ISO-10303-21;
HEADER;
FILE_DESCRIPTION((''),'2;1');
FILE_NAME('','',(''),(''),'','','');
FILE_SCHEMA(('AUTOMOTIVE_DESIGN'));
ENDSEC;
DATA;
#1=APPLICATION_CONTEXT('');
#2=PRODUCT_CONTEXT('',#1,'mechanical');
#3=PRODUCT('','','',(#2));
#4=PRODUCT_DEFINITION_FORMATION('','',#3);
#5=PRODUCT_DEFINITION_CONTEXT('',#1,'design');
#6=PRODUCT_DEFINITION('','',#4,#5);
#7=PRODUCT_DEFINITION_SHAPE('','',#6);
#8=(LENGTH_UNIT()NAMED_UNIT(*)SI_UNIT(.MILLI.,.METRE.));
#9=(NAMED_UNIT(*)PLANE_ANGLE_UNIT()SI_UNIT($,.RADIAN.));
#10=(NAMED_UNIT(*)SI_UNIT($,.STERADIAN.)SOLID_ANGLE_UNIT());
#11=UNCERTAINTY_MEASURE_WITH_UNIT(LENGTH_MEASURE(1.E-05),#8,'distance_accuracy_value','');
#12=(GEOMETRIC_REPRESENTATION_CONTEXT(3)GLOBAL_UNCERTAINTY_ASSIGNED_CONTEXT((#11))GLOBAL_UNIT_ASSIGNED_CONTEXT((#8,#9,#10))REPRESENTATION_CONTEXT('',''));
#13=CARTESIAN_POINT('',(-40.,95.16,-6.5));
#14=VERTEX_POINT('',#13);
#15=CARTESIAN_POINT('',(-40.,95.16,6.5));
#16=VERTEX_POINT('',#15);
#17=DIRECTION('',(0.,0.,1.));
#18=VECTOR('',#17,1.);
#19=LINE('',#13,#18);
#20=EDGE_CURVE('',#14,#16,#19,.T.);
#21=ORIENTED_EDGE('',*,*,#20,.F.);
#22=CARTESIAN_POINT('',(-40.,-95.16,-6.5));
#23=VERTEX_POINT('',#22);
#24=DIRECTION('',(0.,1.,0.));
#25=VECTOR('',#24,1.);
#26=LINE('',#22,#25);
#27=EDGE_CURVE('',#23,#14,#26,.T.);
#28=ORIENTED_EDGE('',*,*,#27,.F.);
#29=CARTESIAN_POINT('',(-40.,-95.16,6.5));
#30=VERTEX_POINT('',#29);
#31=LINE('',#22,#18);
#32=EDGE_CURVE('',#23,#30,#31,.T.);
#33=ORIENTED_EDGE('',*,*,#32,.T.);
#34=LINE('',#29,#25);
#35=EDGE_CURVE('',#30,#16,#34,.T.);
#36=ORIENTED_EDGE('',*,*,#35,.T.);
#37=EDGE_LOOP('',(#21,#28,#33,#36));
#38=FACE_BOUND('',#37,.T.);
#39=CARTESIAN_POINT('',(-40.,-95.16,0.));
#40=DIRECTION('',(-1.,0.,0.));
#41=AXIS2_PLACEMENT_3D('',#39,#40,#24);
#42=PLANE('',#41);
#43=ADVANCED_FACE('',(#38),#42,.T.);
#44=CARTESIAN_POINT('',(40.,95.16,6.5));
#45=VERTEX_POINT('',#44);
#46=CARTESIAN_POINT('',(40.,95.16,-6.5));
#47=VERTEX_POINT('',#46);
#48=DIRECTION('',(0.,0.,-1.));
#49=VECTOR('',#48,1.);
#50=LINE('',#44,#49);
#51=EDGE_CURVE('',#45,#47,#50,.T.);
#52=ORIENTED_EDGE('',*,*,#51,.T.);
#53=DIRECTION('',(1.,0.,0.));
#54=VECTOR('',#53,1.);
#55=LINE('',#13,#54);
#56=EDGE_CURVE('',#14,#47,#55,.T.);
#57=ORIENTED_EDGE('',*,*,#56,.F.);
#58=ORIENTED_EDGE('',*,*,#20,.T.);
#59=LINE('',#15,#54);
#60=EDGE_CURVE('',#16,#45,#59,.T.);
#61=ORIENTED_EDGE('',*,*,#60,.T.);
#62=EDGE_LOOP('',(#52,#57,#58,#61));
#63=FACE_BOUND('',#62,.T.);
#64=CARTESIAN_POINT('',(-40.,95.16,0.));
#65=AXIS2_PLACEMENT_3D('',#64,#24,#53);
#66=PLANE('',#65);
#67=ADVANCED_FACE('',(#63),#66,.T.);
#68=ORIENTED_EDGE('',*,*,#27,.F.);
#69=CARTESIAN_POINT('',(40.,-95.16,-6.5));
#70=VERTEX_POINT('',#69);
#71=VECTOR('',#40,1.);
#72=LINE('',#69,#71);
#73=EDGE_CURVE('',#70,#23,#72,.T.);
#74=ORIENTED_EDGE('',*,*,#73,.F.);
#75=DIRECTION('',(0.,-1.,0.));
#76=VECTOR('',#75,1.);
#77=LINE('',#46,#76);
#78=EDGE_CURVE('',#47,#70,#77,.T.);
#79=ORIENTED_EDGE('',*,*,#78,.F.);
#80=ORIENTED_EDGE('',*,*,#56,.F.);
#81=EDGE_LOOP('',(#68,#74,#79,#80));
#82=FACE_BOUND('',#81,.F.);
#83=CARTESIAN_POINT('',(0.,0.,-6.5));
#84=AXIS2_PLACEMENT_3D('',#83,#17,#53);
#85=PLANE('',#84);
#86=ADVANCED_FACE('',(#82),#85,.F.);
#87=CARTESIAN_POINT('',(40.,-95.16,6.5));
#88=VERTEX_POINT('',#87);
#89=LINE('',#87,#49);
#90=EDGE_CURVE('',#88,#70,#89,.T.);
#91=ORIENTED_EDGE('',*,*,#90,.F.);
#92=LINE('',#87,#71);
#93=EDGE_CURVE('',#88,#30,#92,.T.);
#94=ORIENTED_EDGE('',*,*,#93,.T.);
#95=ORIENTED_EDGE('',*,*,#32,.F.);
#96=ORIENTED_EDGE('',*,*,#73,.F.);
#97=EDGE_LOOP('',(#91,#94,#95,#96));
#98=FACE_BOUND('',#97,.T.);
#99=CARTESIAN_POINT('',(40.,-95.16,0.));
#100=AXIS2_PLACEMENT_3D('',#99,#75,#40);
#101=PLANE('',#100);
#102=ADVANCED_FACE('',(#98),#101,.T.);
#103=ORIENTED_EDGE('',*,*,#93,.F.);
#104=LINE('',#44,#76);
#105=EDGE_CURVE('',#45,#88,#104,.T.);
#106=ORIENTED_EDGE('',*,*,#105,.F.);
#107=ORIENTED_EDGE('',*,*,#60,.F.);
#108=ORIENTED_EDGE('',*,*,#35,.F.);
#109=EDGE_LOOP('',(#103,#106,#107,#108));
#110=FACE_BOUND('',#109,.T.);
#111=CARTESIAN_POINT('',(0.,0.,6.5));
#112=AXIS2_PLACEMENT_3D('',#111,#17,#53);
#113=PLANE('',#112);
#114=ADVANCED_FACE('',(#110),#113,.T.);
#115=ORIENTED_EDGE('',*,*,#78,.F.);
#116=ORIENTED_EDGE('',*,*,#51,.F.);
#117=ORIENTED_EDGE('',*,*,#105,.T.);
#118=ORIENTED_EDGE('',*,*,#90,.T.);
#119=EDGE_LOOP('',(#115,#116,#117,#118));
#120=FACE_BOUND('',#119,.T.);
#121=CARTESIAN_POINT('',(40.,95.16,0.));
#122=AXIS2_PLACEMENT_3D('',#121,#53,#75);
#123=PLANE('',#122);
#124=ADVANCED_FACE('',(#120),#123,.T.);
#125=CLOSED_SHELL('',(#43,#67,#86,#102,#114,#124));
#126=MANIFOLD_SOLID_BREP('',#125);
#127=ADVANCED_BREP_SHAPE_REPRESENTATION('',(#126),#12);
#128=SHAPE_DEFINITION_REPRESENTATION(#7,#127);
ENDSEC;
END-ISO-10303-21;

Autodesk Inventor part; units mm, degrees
ref_plane "YZ Plane" through (0, 0, 0) normal (1, 0, 0) x (0, 1, 0)
ref_plane "XZ Plane" through (0, 0, 0) normal (0, 1, 0) x (-1, 0, 0)
ref_plane "XY Plane" through (0, 0, 0) normal (0, 0, 1) x (1, 0, 0)
sketch "Sketch1" plane through (0, 0, 0) normal (0, 0, 1) x (1, 0, 0)
  line L0 (-40, 95.16) -> (40, 95.16)
  line L1 (40, 95.16) -> (40, -95.16)
  line L2 (40, -95.16) -> (-40, -95.16)
  line L3 (-40, -95.16) -> (-40, 95.16)
  line L4 (-40, 95.16) -> (40, -95.16) construction
  line L5 (40, 95.16) -> (-40, -95.16) construction
  point P0 (0, 0)
  dimension "d0" = 80
  dimension "d1" = 190.32
extrude "Extrusion1" add sketch "Sketch1" along normal mid plane 13
properties part number "CNC-Z-axis- dremel mount backplate"
